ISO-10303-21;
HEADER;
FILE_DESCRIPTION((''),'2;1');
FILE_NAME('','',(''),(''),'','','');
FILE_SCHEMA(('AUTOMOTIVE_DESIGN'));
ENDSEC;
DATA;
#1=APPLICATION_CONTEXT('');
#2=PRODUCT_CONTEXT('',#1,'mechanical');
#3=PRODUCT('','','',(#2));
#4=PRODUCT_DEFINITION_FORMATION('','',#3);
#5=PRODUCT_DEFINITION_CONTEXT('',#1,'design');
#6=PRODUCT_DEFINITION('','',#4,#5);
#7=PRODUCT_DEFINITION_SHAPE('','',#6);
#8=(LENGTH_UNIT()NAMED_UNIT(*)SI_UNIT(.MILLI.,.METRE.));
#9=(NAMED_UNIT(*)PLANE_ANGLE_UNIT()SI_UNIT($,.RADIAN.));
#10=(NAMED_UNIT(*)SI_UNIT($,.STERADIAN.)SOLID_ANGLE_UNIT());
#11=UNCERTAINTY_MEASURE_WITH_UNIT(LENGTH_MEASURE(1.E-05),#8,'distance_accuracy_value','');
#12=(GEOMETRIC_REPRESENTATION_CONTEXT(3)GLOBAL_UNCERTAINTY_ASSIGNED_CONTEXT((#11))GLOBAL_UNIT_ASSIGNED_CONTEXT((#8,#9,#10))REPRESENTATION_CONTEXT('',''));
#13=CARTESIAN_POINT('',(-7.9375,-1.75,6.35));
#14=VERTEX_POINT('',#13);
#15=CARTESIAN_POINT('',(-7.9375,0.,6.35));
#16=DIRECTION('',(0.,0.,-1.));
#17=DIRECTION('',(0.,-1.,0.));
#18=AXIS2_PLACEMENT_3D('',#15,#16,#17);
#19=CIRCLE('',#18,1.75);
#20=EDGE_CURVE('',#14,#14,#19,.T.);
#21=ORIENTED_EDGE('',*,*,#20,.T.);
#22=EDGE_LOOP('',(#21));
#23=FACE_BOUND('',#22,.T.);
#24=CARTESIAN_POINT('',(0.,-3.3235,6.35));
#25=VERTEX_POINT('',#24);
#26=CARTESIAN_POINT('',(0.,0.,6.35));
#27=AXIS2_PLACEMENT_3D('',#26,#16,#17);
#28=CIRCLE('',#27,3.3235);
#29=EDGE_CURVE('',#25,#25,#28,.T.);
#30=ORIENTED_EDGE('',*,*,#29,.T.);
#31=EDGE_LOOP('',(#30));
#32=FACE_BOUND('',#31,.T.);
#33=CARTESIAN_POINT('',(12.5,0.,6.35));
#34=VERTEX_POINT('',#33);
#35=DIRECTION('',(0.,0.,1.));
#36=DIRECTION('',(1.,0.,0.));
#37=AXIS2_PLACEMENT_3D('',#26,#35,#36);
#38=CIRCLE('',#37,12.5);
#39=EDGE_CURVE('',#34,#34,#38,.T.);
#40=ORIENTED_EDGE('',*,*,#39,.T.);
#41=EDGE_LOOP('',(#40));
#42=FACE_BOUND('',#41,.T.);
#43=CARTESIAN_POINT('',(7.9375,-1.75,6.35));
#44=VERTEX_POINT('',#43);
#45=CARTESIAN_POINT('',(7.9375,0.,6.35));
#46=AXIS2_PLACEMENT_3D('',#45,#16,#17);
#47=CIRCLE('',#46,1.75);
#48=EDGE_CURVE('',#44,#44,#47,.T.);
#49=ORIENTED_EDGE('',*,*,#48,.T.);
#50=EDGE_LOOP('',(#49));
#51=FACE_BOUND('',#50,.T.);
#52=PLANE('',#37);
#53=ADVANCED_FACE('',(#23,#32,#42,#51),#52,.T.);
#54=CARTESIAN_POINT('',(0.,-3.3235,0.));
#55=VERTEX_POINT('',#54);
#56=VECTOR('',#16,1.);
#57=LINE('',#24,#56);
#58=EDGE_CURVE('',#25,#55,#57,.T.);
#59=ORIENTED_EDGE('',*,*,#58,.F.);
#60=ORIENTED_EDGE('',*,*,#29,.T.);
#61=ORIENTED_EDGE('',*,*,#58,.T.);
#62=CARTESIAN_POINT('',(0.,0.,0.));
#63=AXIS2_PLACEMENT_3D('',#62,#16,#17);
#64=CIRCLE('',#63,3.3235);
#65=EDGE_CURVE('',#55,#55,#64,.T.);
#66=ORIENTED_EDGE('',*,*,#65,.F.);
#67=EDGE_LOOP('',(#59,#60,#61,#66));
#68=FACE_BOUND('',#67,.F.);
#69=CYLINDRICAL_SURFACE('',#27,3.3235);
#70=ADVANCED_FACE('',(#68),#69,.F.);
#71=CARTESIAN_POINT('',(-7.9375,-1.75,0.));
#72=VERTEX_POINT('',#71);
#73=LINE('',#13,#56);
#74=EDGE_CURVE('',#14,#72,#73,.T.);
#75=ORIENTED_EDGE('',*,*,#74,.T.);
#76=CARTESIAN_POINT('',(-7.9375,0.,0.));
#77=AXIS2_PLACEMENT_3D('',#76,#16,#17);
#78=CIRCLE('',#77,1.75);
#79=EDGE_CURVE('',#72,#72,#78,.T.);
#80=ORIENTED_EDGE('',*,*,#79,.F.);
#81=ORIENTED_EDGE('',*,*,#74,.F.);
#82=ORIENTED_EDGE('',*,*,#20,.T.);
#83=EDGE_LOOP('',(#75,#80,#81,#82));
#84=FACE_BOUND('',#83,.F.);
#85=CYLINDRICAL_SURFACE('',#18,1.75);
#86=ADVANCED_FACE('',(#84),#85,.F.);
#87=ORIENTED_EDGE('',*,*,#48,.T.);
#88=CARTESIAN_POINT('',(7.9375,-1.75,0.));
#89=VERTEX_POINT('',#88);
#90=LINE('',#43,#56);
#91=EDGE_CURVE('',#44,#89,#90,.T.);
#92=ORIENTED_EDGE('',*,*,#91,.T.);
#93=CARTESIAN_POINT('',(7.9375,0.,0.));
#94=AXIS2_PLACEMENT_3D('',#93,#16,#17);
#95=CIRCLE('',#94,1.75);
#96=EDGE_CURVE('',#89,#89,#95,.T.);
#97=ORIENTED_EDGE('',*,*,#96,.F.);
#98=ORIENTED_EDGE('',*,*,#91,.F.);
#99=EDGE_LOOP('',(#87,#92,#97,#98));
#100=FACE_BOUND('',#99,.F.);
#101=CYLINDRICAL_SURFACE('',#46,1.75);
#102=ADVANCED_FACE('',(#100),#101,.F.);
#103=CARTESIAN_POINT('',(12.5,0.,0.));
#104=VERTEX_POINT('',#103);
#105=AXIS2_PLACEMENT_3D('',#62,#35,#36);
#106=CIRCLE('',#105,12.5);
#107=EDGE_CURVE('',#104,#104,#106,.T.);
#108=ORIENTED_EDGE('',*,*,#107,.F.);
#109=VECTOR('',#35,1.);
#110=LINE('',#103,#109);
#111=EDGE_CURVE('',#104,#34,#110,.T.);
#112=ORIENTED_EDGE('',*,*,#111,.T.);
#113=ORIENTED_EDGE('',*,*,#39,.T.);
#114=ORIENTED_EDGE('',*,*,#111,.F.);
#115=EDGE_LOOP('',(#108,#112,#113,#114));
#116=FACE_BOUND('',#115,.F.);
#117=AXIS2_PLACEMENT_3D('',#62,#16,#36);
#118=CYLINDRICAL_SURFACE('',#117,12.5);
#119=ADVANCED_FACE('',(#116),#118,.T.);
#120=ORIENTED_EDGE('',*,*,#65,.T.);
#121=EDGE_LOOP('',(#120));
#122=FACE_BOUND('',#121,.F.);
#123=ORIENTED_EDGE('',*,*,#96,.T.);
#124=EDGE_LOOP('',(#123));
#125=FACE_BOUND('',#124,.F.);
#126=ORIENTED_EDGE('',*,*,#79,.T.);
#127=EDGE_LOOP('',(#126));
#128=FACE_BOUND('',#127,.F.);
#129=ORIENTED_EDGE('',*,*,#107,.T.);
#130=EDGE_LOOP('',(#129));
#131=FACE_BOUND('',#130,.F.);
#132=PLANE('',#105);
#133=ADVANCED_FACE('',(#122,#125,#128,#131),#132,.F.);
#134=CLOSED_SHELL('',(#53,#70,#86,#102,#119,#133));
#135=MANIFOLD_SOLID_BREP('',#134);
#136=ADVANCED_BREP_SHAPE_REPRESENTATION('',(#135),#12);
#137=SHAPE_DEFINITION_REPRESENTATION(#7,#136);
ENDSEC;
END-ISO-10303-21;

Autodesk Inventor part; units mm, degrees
ref_plane "YZ Plane" through (0, 0, 0) normal (1, 0, 0) x (0, 1, 0)
ref_plane "XZ Plane" through (0, 0, 0) normal (0, 1, 0) x (-1, 0, 0)
ref_plane "XY Plane" through (0, 0, 0) normal (0, 0, 1) x (1, 0, 0)
sketch "Sketch1" plane through (0, 0, 0) normal (0, 0, 1) x (1, 0, 0)
  circle A0 centre (0, 0) radius 12.5
  dimension "d0" = 25
extrude "Extrusion1" add sketch "Sketch1" along normal blind 6.35
sketch "Sketch2" plane through (0, 0, 6.35) normal (0, 0, 1) x (1, 0, 0)
  circle A0 centre (0, 0) radius 12.5 projected
hole "Hole1" at (0, 0, 6.35) direction (0, 0, -1) diameter 6.647 end through all thread size "M8x1.25" class "6H" standard "ANSI Metric M Profile"
sketch "Sketch3" plane through (0, 0, 6.35) normal (0, 0, 1) x (1, 0, 0)
  line L0 (-7.9375, 0) -> (7.9375, 0) construction
  point P0 (0, 0)
  point P1 (0, 0)
  dimension "d10" = 15.875
hole "Hole2" at (-7.9375, 0, 6.35) at (7.9375, 0, 6.35) direction (0, 0, -1) diameter 3.5 end through all
properties part number "Spanner Nut"
